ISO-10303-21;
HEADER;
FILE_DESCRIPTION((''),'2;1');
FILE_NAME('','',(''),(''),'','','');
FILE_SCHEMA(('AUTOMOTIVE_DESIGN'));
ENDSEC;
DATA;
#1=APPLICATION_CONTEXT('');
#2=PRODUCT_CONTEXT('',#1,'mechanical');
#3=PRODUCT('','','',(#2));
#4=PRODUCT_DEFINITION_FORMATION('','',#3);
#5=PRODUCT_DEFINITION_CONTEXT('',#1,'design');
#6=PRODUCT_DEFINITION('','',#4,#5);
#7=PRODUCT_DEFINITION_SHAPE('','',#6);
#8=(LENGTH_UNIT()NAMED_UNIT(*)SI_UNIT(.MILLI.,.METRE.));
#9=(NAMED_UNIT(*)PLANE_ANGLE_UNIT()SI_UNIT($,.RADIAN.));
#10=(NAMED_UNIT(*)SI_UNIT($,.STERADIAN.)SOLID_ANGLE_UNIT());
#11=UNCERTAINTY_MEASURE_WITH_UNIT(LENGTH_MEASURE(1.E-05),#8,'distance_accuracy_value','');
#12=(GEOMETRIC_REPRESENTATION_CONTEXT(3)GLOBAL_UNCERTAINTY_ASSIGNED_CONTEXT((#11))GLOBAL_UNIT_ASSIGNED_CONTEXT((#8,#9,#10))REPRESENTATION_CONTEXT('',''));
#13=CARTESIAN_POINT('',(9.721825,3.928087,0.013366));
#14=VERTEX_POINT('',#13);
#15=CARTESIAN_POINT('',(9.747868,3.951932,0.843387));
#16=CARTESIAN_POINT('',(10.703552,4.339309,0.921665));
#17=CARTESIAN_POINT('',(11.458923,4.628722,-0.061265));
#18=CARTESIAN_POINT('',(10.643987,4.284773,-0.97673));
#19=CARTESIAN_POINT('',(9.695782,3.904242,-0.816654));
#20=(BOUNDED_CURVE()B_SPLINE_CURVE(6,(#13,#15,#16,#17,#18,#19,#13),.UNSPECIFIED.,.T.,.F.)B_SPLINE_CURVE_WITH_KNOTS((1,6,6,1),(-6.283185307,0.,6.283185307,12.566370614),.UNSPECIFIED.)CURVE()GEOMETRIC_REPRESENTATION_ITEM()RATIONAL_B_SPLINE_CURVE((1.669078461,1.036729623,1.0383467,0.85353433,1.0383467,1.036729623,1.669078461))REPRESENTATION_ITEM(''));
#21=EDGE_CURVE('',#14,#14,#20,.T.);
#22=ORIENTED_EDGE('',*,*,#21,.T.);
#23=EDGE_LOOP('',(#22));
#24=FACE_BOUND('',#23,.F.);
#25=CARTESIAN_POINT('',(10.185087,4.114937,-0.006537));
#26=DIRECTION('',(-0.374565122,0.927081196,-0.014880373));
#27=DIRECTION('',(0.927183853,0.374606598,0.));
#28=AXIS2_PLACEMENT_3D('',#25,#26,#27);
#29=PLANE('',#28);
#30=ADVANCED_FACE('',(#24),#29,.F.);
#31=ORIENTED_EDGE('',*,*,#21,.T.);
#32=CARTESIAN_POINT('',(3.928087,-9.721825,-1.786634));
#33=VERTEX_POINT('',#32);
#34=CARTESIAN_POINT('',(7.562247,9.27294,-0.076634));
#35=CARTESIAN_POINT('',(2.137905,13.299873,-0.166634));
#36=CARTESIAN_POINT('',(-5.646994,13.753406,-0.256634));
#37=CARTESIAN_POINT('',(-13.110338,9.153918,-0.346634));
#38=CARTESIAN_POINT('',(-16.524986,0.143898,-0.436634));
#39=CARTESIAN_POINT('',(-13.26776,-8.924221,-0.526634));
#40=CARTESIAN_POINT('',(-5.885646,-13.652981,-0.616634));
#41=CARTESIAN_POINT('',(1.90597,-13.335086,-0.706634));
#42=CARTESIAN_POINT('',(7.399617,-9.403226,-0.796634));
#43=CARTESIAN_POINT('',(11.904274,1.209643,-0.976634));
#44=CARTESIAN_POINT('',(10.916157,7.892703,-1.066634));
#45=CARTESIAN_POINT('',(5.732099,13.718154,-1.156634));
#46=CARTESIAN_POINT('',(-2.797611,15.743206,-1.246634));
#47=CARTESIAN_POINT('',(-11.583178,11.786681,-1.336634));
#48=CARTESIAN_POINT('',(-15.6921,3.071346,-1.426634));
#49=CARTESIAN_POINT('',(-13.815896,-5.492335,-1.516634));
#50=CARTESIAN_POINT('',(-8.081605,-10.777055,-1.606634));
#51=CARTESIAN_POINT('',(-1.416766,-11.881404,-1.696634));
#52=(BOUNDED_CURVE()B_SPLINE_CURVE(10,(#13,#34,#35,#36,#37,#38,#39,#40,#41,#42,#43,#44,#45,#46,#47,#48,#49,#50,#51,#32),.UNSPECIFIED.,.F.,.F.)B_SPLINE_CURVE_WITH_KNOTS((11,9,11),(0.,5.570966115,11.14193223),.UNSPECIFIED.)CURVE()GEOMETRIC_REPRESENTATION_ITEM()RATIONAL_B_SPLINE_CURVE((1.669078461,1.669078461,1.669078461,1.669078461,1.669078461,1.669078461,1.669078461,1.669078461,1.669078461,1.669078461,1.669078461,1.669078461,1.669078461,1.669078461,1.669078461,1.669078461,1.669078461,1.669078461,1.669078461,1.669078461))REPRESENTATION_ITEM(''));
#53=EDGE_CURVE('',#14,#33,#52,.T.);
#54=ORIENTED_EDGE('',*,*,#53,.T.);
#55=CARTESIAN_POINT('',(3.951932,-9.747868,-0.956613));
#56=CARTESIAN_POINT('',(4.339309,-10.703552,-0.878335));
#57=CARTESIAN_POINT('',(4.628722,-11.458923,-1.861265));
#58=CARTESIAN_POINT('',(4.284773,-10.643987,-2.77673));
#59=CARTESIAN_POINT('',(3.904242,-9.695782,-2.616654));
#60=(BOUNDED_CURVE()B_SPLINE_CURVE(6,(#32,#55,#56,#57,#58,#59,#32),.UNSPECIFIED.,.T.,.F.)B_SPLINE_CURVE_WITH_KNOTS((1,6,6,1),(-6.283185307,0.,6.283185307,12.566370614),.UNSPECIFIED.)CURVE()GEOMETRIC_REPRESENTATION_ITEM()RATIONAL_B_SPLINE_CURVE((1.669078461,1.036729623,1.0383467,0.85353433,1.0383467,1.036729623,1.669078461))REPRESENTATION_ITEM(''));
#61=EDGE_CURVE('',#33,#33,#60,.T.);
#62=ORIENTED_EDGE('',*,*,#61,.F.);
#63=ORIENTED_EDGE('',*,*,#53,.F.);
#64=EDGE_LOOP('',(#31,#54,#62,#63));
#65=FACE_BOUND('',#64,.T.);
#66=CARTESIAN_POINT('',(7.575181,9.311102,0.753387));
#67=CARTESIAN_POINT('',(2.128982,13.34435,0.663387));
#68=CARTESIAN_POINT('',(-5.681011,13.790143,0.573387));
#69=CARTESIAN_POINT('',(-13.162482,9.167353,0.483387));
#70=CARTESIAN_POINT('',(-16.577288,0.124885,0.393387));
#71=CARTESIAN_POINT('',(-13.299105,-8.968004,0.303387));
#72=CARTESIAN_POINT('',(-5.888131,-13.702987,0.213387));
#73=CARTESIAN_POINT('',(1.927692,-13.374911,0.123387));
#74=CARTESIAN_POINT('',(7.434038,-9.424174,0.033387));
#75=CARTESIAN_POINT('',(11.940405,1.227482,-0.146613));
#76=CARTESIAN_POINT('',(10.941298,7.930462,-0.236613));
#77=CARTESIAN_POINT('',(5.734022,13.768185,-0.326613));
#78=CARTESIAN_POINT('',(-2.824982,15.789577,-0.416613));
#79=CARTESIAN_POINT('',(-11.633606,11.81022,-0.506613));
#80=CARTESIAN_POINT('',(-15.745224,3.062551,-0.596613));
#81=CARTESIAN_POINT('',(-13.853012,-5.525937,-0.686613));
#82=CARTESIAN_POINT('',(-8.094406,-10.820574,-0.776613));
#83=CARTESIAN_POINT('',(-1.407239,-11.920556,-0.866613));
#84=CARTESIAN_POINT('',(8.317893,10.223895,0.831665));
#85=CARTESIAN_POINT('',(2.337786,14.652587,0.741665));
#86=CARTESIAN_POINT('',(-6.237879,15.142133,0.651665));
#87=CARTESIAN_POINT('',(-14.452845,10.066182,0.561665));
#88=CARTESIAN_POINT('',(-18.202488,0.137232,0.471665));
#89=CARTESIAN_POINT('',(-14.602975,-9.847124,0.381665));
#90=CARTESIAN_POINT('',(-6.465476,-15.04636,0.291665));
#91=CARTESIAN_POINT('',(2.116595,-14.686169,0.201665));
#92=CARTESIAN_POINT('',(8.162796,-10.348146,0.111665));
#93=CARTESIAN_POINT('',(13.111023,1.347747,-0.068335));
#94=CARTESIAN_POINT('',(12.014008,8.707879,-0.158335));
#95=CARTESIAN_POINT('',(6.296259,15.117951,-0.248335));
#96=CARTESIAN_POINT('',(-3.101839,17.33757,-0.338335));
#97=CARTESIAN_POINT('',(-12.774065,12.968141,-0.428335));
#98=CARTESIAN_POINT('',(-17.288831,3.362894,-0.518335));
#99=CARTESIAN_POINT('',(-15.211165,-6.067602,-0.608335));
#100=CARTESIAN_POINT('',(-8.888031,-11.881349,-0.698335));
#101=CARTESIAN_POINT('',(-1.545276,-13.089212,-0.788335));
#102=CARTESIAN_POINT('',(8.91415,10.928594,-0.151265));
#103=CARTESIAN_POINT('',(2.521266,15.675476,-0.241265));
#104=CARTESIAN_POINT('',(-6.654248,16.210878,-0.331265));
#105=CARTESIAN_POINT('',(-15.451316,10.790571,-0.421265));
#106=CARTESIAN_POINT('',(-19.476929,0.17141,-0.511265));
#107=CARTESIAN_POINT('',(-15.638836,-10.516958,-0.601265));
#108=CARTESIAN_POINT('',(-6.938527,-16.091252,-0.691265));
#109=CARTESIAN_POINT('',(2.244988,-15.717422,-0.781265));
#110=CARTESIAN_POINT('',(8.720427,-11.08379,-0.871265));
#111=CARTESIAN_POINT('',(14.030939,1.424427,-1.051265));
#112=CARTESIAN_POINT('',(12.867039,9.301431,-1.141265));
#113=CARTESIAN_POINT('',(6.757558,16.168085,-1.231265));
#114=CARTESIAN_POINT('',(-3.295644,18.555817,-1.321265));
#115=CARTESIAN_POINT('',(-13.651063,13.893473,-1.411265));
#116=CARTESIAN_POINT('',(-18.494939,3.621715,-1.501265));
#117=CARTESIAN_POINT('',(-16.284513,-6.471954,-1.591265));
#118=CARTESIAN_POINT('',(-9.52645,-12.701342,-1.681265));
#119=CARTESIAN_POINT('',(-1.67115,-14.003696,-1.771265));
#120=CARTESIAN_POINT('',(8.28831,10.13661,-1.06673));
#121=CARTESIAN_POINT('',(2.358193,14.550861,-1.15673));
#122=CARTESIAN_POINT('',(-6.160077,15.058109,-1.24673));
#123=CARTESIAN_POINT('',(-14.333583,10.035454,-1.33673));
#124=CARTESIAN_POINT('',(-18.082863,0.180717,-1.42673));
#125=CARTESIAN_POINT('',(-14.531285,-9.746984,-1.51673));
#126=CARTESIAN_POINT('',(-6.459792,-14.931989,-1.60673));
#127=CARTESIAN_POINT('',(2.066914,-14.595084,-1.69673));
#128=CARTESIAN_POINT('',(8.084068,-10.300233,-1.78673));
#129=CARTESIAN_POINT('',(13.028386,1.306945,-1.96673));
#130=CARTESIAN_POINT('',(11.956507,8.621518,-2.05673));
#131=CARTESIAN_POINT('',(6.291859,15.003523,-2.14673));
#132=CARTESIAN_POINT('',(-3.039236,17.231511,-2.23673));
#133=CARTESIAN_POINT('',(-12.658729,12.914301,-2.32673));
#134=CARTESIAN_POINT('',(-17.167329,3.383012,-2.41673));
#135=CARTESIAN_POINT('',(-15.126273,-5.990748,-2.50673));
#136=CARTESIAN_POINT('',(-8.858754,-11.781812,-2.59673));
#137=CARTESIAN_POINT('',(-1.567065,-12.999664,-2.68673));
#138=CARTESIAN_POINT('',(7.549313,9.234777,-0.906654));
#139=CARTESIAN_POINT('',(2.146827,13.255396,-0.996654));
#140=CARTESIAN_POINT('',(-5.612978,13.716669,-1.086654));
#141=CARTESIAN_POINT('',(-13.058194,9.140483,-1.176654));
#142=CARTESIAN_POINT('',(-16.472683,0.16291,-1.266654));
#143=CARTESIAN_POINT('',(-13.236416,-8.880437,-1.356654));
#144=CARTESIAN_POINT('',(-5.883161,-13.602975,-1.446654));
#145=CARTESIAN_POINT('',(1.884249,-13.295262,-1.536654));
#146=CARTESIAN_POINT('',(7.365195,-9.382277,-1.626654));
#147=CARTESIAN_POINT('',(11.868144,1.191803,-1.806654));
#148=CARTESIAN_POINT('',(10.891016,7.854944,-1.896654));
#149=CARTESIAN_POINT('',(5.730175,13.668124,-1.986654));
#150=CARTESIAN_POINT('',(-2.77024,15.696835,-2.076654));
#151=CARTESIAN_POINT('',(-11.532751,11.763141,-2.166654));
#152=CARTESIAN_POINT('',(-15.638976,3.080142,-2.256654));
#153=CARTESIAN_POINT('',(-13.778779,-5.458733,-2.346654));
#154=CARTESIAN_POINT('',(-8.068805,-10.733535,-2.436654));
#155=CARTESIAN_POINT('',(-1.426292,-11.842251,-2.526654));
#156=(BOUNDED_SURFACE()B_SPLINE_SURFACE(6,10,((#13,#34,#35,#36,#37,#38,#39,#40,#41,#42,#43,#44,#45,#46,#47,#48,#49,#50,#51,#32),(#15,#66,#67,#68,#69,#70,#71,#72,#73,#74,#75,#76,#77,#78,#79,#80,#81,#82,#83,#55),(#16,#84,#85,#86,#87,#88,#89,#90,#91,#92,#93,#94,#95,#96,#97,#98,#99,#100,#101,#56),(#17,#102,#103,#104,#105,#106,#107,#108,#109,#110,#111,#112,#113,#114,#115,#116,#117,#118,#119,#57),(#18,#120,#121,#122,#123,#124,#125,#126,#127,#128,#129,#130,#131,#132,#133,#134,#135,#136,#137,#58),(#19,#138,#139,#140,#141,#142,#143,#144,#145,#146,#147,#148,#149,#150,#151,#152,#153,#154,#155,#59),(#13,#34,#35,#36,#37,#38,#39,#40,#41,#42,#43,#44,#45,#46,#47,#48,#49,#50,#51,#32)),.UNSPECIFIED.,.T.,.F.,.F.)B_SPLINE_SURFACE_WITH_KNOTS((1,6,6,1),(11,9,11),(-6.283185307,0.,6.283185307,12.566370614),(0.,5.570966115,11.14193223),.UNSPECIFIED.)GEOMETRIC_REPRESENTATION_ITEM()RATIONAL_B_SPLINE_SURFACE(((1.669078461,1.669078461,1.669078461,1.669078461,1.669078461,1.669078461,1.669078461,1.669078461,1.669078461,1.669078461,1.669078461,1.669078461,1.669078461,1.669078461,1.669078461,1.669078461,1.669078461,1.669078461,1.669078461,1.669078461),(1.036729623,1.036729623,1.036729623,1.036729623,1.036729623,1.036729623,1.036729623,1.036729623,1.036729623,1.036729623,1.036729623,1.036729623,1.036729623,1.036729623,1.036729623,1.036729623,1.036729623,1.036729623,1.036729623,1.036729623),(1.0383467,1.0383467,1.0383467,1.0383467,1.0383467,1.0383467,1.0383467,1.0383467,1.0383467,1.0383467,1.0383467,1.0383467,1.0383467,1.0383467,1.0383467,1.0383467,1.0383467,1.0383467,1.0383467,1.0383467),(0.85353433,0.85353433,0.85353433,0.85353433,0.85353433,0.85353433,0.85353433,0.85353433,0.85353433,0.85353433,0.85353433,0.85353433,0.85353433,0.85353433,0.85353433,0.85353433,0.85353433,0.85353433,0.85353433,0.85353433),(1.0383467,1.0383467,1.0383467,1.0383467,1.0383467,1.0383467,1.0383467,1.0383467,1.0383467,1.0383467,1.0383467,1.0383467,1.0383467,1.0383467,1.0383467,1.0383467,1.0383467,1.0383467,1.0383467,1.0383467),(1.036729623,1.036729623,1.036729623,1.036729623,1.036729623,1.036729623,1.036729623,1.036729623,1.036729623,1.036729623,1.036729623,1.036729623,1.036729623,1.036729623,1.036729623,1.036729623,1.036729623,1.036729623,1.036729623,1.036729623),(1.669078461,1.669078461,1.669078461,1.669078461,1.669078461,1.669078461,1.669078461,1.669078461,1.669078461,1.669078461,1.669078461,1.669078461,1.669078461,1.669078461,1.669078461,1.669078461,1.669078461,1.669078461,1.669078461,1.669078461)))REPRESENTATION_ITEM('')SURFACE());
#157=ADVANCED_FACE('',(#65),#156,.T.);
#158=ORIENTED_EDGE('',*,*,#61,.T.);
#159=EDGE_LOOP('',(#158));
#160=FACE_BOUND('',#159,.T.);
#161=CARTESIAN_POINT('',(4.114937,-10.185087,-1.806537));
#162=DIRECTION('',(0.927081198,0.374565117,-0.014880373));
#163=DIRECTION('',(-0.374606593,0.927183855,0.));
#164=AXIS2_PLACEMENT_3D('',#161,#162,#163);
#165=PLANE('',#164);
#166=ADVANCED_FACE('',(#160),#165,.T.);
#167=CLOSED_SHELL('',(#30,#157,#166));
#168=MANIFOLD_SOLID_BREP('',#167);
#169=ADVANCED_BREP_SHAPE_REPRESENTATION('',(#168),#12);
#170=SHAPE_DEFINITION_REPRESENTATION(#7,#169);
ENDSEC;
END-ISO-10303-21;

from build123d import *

# Parameters (mm, degrees)
SWEEP1_PITCH       = 1.028571429
SWEEP1_HEIGHT      = 1.8
SWEEP1_RADIUS      = 11
SWEEP1_START_ANGLE = 158
SKETCH2_R          = 0.5


with BuildPart() as part:
    # Sweep1: sweep along a helix
    with BuildLine() as sweep1_path:
        add(Helix(SWEEP1_PITCH, SWEEP1_HEIGHT, SWEEP1_RADIUS, center=(0, 0, 0), direction=(0, 0, -1), lefthand=True, mode=Mode.PRIVATE).rotate(Axis((0, 0, 0), (0, 0, -1)), SWEEP1_START_ANGLE))
    # Sketch2 → Sweep1 (sweep)
    with BuildSketch(Plane(origin=(4.120672528, -10.1990224, -1.8), x_dir=(-0.3737601638682698, 0.9266705240078769, 0.03981306117508324), z_dir=(0.9270811978101128, 0.37456511739398257, -0.014880372932110052))):
        with Locations((0.014717515, -0.007132469)):
            Circle(SKETCH2_R)
    sweep(path=sweep1_path.line, is_frenet=True)


solid = part.part
